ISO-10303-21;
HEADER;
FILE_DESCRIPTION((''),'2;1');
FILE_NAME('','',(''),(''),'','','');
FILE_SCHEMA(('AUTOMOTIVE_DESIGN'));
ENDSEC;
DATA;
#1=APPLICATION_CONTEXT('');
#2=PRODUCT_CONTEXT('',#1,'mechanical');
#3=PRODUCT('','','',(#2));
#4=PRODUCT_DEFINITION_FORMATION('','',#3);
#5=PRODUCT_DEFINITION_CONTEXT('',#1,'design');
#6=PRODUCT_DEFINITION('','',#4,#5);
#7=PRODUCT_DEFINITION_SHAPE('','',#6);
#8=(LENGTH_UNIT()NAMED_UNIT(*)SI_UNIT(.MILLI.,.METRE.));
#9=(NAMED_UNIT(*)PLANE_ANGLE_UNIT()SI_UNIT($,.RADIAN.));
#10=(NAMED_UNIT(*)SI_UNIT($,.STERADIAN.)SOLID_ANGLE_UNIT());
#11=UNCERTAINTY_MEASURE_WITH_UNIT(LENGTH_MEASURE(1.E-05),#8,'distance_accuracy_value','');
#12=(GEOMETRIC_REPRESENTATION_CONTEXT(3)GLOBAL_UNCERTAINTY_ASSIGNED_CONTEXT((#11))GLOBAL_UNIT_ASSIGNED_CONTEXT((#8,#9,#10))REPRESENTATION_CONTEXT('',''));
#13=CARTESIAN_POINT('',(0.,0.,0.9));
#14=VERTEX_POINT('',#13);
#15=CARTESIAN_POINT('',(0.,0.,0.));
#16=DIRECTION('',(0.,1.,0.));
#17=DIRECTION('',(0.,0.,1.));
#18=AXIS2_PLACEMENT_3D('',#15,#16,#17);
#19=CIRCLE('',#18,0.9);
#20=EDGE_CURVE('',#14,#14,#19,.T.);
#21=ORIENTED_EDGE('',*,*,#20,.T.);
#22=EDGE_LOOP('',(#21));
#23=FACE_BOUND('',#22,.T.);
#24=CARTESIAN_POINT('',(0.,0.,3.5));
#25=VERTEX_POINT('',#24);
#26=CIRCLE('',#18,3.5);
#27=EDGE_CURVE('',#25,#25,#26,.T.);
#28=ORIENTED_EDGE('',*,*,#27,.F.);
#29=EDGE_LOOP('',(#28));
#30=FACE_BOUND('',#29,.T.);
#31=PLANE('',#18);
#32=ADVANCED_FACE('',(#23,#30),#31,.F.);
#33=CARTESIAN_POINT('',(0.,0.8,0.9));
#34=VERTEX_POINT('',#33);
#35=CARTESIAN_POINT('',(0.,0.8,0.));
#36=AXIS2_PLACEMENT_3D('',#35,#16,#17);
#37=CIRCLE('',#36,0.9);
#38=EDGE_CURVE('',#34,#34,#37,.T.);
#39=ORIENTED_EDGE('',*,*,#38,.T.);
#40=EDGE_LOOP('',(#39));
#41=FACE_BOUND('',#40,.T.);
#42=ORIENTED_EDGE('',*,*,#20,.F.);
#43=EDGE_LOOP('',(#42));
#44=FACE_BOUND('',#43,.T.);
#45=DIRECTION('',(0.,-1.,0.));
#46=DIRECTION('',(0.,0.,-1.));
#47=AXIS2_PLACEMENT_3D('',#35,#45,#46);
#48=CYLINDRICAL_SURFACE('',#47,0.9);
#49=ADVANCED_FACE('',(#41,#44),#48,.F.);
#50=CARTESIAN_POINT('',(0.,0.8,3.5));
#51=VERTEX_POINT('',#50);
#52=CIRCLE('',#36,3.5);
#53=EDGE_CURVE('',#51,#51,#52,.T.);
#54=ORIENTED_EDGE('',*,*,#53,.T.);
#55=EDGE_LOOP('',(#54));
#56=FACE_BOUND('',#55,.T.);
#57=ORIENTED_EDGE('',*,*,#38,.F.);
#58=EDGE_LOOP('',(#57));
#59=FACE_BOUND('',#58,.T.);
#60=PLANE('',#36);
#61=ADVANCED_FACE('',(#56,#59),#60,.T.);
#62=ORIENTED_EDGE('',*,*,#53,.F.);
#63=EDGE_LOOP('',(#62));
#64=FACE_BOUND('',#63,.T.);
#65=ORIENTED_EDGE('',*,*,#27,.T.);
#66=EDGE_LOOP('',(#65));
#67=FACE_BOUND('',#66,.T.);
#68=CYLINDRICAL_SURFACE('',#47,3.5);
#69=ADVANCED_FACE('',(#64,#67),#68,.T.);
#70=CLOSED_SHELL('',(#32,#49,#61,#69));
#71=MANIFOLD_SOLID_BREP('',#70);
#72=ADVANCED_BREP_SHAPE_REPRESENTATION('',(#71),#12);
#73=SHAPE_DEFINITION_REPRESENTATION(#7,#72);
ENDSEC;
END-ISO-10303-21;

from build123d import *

# Parameters (mm, degrees)
SKETCH1_R      = 3.5
SKETCH1_R_2    = 0.9
EXTRUDE1_DEPTH = 0.8


with BuildPart() as part:
    # Sketch1 → Extrude1 (new body)
    with BuildSketch(Plane(origin=(0, 0, 0), x_dir=(1, 0, 0), z_dir=(0, 1, 0))):
        with Locations(Location((0, 0, 0), (0, 0, 270))):  # turned: the seam where the file's is
            Circle(SKETCH1_R)
        with Locations(Location((0, 0, 0), (0, 0, 270))):  # turned: the seam where the file's is
            Circle(SKETCH1_R_2, mode=Mode.SUBTRACT)
    extrude(amount=EXTRUDE1_DEPTH)


solid = part.part
